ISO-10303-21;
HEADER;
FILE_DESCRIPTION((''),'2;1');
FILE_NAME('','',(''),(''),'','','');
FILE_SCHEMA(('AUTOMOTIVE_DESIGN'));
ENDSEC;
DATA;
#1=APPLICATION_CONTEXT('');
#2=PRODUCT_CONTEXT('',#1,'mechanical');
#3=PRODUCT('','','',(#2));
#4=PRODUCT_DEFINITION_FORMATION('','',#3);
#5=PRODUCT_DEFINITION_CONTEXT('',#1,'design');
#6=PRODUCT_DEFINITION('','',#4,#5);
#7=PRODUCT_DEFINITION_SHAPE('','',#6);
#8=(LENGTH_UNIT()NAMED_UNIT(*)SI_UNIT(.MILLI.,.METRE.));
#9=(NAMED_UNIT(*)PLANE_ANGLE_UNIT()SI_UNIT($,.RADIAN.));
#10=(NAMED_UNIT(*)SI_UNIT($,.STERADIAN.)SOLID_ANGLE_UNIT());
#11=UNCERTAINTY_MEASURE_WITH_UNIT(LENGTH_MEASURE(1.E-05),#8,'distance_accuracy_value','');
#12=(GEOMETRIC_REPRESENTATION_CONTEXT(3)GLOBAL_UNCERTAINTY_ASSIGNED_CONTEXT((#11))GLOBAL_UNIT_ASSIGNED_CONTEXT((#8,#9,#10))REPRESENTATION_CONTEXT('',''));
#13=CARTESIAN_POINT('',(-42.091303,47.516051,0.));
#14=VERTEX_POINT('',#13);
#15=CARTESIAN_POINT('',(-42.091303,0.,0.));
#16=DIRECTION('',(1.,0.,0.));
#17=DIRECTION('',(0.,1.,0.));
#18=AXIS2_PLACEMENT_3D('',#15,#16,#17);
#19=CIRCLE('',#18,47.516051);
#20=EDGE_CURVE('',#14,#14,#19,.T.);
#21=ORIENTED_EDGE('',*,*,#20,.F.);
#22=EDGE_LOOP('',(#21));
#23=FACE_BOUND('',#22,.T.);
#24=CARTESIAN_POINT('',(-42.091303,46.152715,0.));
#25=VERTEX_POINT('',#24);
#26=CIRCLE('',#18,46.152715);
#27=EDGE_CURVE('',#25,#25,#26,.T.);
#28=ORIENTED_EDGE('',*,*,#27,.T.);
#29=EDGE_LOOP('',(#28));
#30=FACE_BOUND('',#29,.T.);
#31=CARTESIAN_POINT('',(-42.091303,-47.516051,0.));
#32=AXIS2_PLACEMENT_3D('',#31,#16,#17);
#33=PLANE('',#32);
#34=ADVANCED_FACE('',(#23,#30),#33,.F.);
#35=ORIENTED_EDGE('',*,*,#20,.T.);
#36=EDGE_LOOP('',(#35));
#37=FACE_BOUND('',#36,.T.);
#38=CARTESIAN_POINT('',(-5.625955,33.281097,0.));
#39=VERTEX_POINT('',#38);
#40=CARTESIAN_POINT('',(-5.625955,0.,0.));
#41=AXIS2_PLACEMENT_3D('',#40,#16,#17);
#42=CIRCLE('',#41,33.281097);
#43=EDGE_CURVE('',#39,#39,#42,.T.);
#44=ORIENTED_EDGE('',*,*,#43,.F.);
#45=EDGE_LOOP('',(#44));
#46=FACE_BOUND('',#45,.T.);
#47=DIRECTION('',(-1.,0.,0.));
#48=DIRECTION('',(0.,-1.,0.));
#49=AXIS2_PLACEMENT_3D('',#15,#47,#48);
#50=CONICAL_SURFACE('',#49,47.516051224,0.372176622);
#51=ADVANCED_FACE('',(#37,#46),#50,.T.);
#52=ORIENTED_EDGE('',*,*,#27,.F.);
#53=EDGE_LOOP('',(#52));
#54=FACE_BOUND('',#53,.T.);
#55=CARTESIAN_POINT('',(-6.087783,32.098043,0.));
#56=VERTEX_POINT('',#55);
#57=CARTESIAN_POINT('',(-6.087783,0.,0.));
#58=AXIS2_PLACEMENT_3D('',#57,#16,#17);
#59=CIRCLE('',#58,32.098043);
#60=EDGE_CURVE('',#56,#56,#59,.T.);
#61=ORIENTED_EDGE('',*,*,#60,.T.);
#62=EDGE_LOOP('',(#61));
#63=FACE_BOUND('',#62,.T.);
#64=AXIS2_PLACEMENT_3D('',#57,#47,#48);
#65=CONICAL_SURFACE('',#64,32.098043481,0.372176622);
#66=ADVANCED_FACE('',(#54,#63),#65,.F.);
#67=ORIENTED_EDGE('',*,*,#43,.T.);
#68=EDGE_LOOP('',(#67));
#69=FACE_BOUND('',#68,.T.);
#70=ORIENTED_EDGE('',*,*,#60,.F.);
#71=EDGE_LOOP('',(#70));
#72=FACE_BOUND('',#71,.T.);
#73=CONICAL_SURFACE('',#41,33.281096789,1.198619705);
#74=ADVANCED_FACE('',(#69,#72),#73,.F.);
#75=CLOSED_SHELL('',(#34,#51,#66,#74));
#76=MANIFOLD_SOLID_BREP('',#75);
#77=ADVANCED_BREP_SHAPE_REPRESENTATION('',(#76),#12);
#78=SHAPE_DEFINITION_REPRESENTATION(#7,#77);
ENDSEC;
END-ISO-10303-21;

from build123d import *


with BuildPart() as part:
    # Sketch1 → Revolve1 (revolve)
    with BuildSketch(Plane.XY):
        Polygon((-42.091303455, -47.516051224), (-5.625954828, -33.281096789), (-6.087782578, -32.098043481), (-42.091303455, -46.152714518), align=None)
    revolve(axis=Axis((0, 0, 0), (-1, 0, 0)))


solid = part.part
